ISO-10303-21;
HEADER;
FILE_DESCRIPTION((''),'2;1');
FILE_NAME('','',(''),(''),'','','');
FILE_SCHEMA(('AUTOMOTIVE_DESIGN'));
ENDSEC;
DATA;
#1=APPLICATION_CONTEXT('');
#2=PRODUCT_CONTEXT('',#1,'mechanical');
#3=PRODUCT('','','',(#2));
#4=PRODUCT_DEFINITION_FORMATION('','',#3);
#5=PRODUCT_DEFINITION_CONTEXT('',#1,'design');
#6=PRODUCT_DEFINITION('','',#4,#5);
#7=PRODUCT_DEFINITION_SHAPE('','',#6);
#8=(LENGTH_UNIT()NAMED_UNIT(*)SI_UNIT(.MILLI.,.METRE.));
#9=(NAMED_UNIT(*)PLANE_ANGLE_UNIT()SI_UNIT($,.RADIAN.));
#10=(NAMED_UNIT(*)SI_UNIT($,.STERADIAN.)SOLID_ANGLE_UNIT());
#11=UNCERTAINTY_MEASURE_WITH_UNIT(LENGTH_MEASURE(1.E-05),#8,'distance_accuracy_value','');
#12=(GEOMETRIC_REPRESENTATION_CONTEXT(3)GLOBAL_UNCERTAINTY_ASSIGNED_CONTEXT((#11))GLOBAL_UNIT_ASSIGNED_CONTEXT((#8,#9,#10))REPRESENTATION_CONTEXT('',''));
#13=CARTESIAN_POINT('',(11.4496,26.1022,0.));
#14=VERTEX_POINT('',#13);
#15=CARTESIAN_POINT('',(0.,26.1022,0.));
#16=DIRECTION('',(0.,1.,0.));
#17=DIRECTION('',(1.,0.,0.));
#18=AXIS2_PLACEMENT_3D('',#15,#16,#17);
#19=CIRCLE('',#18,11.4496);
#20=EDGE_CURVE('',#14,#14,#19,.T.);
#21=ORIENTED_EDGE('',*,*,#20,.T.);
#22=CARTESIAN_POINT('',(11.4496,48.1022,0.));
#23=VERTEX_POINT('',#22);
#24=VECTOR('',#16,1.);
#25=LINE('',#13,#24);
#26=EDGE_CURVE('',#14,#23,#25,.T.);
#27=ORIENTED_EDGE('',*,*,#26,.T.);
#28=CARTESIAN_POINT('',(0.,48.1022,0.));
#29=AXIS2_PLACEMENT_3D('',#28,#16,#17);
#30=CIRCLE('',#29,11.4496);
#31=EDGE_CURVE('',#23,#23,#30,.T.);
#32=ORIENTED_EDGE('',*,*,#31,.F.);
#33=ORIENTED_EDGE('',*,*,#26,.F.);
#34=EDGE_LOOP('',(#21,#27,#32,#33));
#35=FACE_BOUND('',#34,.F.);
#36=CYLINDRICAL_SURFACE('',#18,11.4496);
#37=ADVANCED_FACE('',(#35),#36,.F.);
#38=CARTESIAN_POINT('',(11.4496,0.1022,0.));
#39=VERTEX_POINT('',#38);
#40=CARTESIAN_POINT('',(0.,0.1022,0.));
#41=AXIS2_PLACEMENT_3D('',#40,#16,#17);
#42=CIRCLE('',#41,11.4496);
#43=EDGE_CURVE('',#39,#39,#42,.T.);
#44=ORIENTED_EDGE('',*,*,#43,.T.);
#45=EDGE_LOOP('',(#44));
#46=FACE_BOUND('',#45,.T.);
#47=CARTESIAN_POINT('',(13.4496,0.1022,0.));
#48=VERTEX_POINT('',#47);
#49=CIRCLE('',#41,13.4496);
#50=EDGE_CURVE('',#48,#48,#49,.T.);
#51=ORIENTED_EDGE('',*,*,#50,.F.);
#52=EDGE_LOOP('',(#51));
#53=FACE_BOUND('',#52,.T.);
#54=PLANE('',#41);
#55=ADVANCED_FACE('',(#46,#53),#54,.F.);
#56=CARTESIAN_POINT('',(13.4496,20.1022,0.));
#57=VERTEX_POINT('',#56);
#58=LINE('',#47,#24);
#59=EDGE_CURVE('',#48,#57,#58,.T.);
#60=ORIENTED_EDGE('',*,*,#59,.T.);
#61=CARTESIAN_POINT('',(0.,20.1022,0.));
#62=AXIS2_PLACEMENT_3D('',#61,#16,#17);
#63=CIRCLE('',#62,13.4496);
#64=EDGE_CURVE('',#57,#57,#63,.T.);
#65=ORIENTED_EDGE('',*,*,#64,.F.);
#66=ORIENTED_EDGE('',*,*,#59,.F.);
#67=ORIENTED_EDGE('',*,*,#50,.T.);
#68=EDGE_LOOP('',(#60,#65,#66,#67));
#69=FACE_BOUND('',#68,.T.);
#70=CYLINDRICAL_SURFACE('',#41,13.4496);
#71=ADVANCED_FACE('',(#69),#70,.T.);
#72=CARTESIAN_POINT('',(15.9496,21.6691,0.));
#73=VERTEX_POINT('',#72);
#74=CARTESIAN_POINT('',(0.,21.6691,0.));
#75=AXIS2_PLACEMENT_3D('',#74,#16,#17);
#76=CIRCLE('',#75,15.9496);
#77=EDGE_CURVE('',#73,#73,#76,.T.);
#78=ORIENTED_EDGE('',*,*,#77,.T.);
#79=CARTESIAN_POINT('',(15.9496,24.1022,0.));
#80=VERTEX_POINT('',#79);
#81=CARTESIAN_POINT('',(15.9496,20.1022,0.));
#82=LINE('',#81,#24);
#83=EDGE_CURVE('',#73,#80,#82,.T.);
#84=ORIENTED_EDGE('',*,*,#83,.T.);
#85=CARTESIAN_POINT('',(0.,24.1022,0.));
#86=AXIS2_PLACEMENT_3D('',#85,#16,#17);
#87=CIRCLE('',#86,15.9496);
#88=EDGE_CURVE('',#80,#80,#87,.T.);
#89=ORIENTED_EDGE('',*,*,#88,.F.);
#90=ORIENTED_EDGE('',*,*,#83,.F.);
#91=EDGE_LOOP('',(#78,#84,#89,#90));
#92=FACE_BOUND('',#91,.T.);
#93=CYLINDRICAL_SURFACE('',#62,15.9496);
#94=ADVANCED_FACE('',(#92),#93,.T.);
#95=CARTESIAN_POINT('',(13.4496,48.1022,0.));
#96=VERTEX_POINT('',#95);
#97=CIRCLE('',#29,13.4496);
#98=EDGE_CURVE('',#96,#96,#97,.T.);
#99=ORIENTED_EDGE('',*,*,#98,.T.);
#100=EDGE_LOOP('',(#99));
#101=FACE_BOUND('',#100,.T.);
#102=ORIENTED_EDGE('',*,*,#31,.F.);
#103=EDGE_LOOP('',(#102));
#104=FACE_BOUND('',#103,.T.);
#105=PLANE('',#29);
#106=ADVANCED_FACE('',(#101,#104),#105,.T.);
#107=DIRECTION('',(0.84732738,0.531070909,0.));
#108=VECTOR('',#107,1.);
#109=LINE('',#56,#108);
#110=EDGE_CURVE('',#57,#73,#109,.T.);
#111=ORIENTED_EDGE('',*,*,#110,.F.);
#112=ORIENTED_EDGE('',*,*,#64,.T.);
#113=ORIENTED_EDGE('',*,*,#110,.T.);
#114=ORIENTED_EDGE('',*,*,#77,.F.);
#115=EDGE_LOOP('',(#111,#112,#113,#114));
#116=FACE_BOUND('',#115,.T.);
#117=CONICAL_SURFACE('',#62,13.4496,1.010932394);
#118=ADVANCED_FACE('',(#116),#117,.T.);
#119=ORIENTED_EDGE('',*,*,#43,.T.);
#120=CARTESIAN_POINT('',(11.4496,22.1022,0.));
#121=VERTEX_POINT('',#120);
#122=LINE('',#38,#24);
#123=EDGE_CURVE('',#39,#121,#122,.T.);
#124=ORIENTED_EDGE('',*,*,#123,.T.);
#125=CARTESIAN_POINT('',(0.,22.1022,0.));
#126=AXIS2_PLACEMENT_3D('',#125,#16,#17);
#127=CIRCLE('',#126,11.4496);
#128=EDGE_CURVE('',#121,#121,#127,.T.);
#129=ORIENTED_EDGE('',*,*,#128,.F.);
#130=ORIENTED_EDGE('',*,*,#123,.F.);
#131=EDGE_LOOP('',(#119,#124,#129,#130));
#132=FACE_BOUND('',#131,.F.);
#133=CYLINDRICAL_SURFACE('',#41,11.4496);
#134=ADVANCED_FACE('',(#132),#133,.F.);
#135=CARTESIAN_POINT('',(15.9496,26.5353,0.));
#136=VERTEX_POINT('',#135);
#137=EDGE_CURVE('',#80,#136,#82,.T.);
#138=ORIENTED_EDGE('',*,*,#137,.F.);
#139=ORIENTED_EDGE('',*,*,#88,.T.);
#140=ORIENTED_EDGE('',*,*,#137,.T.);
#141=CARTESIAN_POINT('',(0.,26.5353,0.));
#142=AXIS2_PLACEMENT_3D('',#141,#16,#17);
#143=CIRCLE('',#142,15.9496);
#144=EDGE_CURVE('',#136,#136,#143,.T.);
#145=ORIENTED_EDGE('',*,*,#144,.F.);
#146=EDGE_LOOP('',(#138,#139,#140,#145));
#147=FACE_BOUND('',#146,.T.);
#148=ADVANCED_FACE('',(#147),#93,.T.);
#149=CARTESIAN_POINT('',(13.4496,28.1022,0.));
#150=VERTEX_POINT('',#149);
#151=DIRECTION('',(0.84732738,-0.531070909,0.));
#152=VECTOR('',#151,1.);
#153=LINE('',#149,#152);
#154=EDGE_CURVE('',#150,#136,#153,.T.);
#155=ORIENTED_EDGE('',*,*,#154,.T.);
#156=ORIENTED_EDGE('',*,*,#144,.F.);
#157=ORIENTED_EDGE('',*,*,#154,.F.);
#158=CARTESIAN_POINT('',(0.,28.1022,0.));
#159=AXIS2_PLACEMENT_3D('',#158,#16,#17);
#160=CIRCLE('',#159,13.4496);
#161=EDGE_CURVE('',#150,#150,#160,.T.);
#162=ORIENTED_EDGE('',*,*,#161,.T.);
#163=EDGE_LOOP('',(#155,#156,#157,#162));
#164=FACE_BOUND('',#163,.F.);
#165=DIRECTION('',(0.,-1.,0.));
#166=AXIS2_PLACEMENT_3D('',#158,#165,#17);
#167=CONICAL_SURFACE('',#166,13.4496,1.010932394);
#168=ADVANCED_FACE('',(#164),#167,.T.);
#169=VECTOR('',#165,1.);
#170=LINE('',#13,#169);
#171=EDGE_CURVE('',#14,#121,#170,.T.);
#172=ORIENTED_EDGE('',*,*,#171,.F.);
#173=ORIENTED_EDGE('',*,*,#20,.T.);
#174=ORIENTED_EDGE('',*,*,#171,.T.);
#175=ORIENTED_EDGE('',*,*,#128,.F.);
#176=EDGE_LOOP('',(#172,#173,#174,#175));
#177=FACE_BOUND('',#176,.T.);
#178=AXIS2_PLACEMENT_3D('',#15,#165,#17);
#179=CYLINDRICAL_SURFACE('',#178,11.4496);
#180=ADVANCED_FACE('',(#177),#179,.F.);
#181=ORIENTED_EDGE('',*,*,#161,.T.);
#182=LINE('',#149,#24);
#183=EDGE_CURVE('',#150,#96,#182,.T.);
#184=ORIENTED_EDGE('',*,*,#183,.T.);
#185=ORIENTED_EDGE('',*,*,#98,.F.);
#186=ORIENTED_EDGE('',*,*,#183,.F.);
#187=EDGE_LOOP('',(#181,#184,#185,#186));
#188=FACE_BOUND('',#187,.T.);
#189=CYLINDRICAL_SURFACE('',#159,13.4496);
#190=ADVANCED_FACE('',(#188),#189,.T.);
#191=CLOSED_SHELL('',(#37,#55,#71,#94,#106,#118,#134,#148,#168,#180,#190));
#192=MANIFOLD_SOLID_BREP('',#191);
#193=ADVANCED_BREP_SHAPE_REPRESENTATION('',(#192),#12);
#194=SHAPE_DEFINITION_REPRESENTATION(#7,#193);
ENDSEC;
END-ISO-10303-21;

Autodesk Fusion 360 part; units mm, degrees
sketch "Sketch2" plane through (0, 0, 0) normal (0, 0, 1) x (1, 0, 0)
  line L0 (0, 0) -> (0, 65)
  line L1 (13.4496, 0.1022) -> (13.4496, 20.1022)
  line L2 (13.4496, 20.1022) -> (15.9496, 20.1022)
  line L3 (15.9496, 20.1022) -> (15.9496, 28.1022)
  line L4 (15.9496, 28.1022) -> (13.4496, 28.1022)
  line L5 (13.4496, 28.1022) -> (13.4496, 48.1022)
  line L6 (11.4496, 0.1022) -> (11.4496, 22.1022)
  line L7 (11.4496, 22.1022) -> (13.9496, 22.1022)
  line L8 (13.9496, 22.1022) -> (13.9496, 26.1022)
  line L9 (13.9496, 26.1022) -> (11.4496, 26.1022)
  line L10 (11.4496, 26.1022) -> (11.4496, 48.1022)
  line L11 (13.4496, 48.1022) -> (11.4496, 48.1022)
  line L12 (11.4496, 0.1022) -> (13.4496, 0.1022)
  line L13 (11.4496, 26.1022) -> (11.4496, 22.1022)
  line L14 (13.4496, 20.1022) -> (15.9496, 21.6691)
  line L15 (15.9496, 24.1022) -> (11.5, 24.1022)
  line L16 (13.4496, 28.1022) -> (15.9496, 26.5353)
  dimension "d2" = 13.45
  dimension "d3" = 20
  dimension "d4" = 20
  dimension "d5" = 8
  dimension "d6" = 2.5
  dimension "d7" = -2
revolve "Revolve1" add sketch "Sketch2" angle 360 about axis through (0, 0, 0) along (0, 1, 0) contours L1 L3 L6 L7 L8 L12 L14 L15 | L7 L8 L9 L13 | L3 L5 L8 L9 L10 L11 L15 L16
equation "d2 = ( 26.9 / 2 ) * 1 mm"
equation "d4 = d3"
